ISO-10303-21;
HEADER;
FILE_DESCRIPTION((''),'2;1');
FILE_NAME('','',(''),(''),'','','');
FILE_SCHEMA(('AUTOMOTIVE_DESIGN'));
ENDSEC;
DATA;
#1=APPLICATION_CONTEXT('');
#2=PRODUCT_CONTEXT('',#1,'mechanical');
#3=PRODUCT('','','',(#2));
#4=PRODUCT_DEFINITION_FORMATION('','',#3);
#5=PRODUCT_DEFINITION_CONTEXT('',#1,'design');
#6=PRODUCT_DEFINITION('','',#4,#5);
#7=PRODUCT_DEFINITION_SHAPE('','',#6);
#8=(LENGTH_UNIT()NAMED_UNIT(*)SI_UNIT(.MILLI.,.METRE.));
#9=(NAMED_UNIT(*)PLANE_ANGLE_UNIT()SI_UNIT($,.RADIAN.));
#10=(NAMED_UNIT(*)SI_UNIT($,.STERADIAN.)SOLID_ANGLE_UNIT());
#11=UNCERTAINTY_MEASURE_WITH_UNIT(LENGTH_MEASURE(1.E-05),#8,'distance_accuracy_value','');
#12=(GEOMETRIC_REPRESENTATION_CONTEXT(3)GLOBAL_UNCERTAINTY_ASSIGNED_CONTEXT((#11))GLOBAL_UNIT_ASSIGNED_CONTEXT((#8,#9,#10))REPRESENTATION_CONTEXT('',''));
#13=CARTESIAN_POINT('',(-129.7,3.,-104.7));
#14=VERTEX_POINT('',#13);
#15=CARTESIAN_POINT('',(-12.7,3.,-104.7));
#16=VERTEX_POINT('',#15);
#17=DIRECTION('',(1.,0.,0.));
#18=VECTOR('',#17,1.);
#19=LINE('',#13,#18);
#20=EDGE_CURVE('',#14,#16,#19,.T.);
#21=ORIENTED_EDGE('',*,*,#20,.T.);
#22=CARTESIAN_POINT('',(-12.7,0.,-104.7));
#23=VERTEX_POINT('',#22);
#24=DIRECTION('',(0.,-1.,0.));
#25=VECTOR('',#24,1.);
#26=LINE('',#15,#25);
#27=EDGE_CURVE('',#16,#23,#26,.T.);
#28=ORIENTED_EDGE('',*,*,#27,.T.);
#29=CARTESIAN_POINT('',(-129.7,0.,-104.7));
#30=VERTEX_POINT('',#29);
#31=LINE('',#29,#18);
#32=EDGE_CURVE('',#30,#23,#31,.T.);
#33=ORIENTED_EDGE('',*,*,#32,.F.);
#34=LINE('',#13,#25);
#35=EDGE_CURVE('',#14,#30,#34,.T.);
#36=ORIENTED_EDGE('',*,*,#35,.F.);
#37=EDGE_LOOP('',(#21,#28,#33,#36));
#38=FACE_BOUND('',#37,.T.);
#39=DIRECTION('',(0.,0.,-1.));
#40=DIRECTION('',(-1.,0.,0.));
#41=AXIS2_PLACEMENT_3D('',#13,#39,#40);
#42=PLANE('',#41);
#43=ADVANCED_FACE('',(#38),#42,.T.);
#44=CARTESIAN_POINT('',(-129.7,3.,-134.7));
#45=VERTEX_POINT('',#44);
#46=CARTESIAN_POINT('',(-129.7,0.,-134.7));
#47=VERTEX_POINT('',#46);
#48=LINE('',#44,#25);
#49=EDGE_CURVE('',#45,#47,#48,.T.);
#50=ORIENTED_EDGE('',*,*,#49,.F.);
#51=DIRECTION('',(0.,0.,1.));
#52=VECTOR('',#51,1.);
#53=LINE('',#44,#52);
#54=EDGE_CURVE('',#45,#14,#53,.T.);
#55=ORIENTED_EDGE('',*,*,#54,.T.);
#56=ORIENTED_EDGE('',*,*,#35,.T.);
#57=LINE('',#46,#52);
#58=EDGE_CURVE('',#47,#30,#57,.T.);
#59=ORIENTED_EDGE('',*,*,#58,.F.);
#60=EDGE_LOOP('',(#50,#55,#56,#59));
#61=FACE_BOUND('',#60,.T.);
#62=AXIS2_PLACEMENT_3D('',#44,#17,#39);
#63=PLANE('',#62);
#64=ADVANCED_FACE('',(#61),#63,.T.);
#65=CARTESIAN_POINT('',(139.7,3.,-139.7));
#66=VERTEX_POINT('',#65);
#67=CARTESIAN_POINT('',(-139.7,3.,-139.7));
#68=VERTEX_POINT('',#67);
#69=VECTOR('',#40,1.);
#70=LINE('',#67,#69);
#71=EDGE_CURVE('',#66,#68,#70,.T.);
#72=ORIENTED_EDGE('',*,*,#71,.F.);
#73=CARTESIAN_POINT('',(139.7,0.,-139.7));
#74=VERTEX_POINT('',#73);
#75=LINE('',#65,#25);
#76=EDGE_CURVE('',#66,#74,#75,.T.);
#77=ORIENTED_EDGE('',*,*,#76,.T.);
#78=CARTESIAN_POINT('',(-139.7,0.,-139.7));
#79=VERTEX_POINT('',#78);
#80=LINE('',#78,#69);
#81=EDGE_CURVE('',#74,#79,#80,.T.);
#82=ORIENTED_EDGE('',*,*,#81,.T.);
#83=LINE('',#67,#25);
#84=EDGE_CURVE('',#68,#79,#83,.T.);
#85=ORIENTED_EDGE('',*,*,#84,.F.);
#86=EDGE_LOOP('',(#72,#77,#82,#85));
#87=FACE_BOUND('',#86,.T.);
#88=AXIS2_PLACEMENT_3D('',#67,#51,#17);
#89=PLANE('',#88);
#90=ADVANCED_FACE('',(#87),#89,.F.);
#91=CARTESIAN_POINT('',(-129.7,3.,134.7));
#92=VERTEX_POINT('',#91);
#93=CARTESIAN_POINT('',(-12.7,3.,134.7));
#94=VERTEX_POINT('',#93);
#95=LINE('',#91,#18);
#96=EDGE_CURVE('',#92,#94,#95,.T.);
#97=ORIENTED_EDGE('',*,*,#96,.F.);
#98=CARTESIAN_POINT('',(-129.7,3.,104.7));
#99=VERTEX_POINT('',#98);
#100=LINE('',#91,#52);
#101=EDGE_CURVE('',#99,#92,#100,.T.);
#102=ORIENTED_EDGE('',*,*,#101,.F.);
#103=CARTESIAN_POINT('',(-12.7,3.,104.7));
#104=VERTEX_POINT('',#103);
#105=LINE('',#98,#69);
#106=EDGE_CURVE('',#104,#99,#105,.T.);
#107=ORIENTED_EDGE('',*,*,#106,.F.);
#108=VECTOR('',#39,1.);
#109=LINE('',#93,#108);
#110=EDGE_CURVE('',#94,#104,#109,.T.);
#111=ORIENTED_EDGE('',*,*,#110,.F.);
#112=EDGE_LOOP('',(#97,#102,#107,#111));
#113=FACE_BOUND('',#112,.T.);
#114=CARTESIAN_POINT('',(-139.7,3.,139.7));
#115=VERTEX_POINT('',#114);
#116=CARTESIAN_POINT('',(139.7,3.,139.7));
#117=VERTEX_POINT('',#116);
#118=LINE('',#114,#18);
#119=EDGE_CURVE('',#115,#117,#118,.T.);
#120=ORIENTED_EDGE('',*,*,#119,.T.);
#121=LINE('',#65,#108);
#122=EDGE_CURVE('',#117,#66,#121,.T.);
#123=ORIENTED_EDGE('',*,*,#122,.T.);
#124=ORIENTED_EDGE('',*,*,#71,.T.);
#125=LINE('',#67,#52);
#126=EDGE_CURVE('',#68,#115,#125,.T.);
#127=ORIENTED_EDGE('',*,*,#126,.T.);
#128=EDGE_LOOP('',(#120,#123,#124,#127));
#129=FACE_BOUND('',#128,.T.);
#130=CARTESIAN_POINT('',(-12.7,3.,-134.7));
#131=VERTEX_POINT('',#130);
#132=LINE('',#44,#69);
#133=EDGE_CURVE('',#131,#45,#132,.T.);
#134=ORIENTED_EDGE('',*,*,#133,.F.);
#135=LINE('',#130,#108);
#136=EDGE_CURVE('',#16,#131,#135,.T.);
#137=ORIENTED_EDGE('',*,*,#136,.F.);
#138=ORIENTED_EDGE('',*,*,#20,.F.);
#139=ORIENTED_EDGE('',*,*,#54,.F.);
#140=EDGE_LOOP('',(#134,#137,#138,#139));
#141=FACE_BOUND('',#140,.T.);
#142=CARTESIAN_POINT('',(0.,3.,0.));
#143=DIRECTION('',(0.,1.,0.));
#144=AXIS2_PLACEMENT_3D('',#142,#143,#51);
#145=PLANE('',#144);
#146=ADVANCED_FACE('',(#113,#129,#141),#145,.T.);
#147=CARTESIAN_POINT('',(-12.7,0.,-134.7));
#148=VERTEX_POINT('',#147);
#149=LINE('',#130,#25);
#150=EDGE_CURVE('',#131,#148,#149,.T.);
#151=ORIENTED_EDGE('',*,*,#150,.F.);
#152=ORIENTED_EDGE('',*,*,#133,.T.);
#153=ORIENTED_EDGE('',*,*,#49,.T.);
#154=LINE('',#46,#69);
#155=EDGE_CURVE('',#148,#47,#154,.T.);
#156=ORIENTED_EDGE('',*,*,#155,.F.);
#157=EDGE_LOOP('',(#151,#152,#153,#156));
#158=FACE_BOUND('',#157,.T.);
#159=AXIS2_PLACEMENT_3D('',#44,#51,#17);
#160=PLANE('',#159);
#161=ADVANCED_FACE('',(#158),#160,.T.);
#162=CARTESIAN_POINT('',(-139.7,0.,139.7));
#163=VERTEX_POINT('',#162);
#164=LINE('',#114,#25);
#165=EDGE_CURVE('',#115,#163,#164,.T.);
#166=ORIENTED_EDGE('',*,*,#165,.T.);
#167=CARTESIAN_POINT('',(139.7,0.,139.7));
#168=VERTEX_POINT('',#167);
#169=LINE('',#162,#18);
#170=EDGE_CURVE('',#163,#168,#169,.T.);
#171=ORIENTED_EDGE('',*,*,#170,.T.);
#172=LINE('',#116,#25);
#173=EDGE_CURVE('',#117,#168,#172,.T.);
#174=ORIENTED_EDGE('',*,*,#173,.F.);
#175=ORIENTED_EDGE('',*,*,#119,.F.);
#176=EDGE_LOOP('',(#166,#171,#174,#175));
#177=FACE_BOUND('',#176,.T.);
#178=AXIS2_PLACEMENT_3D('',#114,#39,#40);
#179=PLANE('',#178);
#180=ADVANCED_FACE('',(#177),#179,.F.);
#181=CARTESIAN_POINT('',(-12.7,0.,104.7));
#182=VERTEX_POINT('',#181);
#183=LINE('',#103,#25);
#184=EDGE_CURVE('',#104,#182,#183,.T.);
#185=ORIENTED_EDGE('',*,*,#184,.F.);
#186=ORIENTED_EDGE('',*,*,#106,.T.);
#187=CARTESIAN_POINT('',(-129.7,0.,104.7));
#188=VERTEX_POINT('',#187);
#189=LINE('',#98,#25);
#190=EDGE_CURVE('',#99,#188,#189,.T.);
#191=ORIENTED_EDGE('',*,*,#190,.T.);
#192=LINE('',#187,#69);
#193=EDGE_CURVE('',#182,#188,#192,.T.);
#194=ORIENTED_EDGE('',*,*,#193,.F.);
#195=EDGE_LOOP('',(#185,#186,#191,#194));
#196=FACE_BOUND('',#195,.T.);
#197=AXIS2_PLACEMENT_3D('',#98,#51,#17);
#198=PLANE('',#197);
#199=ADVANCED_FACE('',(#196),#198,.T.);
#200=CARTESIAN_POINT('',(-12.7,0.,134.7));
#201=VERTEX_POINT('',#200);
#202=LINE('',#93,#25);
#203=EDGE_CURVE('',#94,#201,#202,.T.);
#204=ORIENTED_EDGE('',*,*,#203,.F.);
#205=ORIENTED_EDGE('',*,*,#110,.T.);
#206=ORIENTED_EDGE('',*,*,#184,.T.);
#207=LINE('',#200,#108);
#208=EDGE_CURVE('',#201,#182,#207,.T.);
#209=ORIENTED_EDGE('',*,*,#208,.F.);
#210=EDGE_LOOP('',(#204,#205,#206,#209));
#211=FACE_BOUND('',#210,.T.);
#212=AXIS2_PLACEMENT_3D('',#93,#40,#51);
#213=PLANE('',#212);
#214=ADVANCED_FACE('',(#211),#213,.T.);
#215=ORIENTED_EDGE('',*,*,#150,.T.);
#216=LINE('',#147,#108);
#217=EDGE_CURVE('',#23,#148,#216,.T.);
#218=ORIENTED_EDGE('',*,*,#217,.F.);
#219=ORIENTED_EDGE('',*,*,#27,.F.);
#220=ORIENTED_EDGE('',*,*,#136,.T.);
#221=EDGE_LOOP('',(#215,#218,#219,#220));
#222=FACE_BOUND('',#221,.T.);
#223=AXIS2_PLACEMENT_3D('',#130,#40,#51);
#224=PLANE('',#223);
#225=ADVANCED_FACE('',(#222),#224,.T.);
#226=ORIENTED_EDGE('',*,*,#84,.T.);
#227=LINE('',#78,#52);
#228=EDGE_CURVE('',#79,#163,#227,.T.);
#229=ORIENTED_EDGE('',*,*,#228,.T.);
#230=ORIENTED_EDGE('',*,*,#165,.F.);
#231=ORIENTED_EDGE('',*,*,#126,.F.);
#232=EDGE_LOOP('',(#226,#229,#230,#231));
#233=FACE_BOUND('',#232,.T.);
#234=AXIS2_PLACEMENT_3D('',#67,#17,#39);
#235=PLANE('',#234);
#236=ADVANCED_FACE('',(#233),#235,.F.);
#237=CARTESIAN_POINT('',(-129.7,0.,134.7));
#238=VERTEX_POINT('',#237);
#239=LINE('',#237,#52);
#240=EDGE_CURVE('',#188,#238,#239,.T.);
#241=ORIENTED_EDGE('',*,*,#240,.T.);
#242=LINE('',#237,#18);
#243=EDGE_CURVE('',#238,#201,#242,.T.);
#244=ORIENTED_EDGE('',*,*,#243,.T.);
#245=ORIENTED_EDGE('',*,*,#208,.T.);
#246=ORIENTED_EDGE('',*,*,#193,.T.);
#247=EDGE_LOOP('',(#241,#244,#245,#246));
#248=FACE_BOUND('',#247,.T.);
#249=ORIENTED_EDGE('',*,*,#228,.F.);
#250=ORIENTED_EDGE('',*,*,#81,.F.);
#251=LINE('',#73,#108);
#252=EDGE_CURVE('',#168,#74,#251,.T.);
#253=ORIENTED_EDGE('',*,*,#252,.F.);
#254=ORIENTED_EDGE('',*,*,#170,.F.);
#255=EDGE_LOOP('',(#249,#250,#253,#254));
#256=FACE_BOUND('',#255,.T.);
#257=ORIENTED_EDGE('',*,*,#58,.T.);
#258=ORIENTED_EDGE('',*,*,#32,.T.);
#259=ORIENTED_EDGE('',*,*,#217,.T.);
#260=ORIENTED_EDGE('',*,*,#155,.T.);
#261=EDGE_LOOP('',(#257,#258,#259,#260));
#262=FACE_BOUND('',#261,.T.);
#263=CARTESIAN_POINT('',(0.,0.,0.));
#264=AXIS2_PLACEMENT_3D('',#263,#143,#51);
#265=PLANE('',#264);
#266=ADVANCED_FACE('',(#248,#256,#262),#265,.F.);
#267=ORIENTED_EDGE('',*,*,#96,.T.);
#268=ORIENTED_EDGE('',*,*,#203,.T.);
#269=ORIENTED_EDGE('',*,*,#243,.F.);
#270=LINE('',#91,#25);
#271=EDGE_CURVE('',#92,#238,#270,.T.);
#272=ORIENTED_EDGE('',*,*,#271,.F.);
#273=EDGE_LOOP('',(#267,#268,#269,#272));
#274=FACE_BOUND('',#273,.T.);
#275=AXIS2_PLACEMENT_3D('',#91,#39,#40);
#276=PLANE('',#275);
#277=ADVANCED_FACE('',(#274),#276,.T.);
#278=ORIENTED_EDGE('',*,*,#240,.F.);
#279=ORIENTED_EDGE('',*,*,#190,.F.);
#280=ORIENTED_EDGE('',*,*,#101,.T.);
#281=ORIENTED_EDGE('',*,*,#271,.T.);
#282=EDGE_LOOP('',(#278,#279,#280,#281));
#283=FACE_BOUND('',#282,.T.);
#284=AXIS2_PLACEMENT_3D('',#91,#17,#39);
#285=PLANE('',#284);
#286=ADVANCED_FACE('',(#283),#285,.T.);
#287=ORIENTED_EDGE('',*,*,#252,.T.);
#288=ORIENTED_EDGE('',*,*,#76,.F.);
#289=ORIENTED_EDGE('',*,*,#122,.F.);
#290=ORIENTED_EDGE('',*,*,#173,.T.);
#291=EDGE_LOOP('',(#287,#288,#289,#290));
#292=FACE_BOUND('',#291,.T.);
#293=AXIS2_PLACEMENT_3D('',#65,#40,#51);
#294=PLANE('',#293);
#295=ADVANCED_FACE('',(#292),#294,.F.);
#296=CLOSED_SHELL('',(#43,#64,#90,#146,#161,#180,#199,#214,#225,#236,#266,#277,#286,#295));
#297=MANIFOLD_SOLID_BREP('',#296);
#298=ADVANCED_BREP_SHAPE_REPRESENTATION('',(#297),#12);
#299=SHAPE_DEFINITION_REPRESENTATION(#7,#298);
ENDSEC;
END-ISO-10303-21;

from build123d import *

# Parameters (mm, degrees)
SKETCH1_W           = 279.4
SKETCH1_H           = 279.4
SKETCH1_W_2         = 117
SKETCH1_H_2         = 30
BOSS_EXTRUDE1_DEPTH = 3


with BuildPart() as part:
    # Sketch1 → Boss-Extrude1 (new body)
    with BuildSketch(Plane(origin=(0, 0, 0), x_dir=(1, 0, 0), z_dir=(0, 1, 0))):
        Rectangle(SKETCH1_W, SKETCH1_H)
        with Locations((-71.2, 119.7)):
            Rectangle(SKETCH1_W_2, SKETCH1_H_2, mode=Mode.SUBTRACT)
        with Locations((-71.2, -119.7)):
            Rectangle(SKETCH1_W_2, SKETCH1_H_2, mode=Mode.SUBTRACT)
    extrude(amount=BOSS_EXTRUDE1_DEPTH)


solid = part.part
